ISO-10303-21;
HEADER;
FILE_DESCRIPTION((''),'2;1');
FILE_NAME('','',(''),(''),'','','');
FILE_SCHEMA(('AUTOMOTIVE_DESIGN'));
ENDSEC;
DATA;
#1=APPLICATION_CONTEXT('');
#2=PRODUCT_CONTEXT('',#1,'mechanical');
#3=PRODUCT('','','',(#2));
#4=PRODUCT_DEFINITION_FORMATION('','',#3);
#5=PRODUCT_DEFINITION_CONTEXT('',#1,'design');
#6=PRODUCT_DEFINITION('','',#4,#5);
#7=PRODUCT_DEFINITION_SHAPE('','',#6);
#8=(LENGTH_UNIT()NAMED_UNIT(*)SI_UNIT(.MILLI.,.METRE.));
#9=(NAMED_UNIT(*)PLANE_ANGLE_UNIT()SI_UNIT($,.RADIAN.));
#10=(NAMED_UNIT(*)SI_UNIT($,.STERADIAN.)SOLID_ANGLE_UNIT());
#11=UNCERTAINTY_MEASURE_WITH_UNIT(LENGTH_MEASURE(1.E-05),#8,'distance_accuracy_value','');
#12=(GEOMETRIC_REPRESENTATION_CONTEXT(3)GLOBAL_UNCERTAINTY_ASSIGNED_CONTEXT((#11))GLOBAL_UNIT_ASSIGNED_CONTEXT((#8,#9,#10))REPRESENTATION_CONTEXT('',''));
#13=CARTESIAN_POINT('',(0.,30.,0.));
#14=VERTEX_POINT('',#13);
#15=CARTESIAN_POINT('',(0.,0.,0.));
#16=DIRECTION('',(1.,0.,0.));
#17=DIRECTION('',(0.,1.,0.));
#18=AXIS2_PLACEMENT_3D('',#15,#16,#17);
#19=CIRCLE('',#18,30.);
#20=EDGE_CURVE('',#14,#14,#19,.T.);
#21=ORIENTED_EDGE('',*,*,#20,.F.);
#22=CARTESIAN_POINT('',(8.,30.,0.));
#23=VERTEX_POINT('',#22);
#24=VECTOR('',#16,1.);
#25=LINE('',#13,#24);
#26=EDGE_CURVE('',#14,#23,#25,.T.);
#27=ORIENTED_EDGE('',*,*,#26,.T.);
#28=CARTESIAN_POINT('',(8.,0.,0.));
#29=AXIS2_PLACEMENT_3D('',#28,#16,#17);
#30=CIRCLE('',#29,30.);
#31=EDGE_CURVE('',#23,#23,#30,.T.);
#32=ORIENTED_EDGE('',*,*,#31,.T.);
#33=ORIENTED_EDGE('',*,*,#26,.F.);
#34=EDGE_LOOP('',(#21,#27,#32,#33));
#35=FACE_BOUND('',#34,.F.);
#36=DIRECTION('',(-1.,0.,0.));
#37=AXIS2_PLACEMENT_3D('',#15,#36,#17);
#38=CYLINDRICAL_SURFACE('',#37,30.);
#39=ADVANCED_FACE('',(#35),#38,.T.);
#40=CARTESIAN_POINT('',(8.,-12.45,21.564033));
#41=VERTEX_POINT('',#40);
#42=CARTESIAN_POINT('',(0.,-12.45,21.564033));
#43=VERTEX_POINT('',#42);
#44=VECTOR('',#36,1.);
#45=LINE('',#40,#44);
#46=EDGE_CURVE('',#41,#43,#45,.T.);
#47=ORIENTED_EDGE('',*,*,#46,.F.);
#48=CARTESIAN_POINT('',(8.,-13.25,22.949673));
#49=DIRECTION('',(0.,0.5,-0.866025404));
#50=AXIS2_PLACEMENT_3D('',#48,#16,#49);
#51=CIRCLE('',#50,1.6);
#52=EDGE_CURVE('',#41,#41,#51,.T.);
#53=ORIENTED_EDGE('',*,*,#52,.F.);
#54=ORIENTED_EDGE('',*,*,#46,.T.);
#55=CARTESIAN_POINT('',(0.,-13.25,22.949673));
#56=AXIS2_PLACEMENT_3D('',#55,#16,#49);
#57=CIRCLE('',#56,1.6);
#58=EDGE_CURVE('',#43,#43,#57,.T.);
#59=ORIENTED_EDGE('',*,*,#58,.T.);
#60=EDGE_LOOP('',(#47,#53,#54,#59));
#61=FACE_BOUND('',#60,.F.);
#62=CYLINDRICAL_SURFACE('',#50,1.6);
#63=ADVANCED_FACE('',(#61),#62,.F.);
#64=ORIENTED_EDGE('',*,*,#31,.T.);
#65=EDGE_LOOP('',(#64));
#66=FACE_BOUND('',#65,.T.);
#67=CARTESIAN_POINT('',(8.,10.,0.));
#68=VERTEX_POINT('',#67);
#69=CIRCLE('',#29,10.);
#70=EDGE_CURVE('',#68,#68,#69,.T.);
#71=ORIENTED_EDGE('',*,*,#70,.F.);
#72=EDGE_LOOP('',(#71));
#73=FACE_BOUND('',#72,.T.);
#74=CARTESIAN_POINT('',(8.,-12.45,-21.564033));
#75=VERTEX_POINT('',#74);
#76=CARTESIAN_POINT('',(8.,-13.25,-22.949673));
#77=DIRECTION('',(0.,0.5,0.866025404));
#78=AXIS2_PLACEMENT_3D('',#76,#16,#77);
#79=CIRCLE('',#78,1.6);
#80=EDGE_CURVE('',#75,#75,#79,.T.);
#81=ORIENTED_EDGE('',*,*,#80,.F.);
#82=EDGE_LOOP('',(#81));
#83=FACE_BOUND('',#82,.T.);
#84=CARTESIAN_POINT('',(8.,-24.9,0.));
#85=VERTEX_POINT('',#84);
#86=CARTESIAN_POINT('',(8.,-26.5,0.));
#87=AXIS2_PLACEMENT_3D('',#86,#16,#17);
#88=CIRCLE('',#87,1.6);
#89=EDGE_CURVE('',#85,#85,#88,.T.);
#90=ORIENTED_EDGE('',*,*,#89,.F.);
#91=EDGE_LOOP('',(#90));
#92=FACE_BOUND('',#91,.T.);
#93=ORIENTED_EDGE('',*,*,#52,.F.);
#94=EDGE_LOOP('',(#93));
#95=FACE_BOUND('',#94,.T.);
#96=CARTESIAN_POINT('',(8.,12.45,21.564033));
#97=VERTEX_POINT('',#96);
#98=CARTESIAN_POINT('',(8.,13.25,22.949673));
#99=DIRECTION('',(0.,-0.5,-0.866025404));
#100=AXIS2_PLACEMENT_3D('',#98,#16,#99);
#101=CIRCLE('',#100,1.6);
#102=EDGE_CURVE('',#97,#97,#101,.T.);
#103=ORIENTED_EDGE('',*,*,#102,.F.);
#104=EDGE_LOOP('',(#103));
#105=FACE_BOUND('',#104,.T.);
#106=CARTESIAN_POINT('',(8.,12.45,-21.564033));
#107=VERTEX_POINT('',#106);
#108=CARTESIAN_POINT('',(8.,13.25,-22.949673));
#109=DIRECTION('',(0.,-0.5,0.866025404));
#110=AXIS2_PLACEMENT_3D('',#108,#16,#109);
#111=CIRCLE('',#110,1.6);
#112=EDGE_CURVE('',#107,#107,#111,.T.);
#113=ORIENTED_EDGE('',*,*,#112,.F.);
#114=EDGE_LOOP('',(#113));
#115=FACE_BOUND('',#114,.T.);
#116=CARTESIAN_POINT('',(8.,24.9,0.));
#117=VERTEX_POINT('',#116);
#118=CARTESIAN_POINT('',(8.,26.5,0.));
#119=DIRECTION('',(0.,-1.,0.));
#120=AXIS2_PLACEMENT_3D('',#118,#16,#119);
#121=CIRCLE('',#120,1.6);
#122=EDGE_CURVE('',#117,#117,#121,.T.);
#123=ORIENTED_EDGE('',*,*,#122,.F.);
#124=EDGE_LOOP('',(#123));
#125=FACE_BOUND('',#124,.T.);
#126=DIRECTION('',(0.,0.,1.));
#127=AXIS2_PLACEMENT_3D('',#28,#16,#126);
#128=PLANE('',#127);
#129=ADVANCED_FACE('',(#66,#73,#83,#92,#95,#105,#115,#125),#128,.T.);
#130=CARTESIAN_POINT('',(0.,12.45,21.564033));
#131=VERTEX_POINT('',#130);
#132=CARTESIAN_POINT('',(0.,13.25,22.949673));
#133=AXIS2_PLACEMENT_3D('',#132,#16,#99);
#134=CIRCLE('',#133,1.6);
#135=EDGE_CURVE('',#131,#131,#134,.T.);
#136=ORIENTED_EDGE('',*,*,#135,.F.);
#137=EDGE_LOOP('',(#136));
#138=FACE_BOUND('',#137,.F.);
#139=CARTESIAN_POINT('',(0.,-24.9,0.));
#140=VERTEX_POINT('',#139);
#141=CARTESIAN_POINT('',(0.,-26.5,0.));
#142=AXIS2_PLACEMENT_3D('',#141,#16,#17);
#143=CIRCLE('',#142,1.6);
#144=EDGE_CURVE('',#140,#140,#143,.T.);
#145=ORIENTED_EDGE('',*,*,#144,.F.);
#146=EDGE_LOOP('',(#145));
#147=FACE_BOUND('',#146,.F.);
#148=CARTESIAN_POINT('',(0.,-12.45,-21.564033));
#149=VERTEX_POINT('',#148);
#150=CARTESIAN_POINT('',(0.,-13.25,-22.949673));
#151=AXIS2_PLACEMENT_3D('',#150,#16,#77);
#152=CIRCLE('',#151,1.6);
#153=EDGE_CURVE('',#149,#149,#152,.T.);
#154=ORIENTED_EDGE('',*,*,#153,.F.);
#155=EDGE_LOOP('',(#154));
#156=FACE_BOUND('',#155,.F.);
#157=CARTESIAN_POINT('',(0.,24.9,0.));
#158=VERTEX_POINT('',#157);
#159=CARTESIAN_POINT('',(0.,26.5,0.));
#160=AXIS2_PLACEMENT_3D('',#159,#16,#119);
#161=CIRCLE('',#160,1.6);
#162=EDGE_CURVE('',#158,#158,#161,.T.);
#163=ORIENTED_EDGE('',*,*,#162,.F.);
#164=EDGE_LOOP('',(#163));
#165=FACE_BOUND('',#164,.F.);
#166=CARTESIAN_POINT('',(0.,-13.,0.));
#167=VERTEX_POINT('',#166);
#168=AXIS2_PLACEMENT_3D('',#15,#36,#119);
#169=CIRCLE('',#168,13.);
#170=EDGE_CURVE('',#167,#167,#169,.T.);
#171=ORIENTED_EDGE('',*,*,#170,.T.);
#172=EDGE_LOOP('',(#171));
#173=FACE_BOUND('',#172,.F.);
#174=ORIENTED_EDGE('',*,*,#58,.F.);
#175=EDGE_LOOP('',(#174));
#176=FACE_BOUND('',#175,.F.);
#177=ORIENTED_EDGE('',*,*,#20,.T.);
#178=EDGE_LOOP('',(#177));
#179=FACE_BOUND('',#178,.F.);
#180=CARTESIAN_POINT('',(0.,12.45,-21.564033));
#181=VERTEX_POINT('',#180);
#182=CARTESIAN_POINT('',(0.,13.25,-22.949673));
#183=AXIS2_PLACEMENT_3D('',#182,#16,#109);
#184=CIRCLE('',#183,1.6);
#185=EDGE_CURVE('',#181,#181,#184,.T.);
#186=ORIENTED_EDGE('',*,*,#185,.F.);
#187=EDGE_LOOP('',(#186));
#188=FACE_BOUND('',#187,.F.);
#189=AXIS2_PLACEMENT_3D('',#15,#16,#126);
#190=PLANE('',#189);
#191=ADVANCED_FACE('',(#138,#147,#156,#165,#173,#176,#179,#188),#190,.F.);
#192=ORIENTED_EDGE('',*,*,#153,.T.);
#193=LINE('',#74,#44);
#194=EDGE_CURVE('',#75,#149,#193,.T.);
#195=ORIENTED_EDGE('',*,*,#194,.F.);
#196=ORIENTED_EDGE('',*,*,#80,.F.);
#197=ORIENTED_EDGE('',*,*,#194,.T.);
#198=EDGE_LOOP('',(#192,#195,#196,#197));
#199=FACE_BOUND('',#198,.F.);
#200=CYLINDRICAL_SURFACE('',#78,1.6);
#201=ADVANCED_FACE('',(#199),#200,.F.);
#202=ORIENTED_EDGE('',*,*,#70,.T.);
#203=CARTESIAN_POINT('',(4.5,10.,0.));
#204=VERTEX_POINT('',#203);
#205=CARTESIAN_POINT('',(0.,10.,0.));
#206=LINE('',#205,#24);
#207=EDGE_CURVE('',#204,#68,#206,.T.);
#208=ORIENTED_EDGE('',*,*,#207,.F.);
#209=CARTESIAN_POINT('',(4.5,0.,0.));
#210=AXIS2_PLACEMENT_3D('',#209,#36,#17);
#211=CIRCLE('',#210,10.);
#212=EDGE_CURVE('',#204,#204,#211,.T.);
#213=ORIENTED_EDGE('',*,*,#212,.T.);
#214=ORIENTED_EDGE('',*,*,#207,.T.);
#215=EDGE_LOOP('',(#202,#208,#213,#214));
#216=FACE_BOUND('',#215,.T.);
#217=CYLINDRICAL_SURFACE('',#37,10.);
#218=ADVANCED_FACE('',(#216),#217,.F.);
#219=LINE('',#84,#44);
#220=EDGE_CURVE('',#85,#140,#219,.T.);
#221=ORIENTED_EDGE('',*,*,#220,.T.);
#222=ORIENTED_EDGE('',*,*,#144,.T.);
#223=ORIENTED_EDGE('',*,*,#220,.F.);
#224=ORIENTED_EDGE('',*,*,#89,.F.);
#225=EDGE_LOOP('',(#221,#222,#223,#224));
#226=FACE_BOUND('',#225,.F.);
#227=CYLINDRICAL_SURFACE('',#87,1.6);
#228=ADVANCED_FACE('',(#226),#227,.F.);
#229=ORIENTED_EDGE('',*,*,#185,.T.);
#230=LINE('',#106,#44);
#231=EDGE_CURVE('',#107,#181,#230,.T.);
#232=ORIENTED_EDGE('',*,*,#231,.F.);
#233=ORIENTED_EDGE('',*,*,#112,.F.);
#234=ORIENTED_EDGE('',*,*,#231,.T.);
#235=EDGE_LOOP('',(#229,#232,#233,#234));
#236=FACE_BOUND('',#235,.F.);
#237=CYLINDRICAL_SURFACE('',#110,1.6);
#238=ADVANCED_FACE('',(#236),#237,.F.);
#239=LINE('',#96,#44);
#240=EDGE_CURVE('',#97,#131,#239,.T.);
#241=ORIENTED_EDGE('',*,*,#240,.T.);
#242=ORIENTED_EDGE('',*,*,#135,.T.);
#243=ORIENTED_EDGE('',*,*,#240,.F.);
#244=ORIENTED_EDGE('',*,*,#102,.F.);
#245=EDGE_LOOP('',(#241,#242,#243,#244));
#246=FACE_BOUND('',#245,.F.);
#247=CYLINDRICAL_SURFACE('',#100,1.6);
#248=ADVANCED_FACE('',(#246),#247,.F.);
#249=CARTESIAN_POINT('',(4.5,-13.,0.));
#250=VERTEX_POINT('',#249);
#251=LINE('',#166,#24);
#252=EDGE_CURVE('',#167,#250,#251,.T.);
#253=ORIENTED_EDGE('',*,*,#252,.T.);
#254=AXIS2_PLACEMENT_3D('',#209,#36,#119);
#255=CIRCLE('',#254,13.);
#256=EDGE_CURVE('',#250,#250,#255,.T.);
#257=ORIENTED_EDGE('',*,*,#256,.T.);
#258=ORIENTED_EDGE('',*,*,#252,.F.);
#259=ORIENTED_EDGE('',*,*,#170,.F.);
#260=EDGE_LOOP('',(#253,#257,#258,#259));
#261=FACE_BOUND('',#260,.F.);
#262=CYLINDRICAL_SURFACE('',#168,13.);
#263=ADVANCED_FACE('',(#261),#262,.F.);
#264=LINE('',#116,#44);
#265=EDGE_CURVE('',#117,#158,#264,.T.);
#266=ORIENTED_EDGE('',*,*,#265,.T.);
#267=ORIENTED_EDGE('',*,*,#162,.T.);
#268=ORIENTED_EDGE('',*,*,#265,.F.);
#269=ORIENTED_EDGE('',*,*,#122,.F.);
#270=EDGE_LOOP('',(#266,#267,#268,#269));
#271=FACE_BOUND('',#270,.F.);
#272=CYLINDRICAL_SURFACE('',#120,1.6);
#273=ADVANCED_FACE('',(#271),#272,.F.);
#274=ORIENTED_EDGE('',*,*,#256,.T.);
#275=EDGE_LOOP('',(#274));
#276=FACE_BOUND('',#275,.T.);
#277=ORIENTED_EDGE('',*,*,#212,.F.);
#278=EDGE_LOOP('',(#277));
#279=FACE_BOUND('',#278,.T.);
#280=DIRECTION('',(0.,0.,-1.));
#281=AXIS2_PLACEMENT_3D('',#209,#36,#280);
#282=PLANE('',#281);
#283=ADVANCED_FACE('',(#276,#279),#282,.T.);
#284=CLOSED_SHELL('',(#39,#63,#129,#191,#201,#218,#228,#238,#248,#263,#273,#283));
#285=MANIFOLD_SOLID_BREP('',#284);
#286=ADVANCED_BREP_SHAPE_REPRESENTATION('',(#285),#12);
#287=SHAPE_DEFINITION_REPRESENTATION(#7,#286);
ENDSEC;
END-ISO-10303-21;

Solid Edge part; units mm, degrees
sketch "Sketch1" plane through (0, 0, 0) normal (1, 0, 0) x (0, 1, 0)
  circle A0 centre (0, 0) radius 10
  circle A1 centre (0, 0) radius 30
extrude "Protrusion1" add sketch "Sketch1" along normal blind 8
sketch "Sketch2" plane through (0, 0, 0) normal (-1, 0, 0) x (0, -1, 0)
  circle A0 centre (0, 0) radius 13
extrude "ExtrudedCutout_1" cut sketch "Sketch2" against normal blind 4.5
sketch "Sketch3" plane through (8, 0, 0) normal (1, 0, 0) x (0, 1, 0)
  circle A0 centre (-26.5, 0) radius 1.6
  dimension "D1" = 26.5
extrude "Cutout1" cut sketch "Sketch3" against normal up to next
pattern_circular "Pattern1" count 6 over 360 about axis through (8, 0, 0) along (-1, 0, 0) of "Cutout1"
